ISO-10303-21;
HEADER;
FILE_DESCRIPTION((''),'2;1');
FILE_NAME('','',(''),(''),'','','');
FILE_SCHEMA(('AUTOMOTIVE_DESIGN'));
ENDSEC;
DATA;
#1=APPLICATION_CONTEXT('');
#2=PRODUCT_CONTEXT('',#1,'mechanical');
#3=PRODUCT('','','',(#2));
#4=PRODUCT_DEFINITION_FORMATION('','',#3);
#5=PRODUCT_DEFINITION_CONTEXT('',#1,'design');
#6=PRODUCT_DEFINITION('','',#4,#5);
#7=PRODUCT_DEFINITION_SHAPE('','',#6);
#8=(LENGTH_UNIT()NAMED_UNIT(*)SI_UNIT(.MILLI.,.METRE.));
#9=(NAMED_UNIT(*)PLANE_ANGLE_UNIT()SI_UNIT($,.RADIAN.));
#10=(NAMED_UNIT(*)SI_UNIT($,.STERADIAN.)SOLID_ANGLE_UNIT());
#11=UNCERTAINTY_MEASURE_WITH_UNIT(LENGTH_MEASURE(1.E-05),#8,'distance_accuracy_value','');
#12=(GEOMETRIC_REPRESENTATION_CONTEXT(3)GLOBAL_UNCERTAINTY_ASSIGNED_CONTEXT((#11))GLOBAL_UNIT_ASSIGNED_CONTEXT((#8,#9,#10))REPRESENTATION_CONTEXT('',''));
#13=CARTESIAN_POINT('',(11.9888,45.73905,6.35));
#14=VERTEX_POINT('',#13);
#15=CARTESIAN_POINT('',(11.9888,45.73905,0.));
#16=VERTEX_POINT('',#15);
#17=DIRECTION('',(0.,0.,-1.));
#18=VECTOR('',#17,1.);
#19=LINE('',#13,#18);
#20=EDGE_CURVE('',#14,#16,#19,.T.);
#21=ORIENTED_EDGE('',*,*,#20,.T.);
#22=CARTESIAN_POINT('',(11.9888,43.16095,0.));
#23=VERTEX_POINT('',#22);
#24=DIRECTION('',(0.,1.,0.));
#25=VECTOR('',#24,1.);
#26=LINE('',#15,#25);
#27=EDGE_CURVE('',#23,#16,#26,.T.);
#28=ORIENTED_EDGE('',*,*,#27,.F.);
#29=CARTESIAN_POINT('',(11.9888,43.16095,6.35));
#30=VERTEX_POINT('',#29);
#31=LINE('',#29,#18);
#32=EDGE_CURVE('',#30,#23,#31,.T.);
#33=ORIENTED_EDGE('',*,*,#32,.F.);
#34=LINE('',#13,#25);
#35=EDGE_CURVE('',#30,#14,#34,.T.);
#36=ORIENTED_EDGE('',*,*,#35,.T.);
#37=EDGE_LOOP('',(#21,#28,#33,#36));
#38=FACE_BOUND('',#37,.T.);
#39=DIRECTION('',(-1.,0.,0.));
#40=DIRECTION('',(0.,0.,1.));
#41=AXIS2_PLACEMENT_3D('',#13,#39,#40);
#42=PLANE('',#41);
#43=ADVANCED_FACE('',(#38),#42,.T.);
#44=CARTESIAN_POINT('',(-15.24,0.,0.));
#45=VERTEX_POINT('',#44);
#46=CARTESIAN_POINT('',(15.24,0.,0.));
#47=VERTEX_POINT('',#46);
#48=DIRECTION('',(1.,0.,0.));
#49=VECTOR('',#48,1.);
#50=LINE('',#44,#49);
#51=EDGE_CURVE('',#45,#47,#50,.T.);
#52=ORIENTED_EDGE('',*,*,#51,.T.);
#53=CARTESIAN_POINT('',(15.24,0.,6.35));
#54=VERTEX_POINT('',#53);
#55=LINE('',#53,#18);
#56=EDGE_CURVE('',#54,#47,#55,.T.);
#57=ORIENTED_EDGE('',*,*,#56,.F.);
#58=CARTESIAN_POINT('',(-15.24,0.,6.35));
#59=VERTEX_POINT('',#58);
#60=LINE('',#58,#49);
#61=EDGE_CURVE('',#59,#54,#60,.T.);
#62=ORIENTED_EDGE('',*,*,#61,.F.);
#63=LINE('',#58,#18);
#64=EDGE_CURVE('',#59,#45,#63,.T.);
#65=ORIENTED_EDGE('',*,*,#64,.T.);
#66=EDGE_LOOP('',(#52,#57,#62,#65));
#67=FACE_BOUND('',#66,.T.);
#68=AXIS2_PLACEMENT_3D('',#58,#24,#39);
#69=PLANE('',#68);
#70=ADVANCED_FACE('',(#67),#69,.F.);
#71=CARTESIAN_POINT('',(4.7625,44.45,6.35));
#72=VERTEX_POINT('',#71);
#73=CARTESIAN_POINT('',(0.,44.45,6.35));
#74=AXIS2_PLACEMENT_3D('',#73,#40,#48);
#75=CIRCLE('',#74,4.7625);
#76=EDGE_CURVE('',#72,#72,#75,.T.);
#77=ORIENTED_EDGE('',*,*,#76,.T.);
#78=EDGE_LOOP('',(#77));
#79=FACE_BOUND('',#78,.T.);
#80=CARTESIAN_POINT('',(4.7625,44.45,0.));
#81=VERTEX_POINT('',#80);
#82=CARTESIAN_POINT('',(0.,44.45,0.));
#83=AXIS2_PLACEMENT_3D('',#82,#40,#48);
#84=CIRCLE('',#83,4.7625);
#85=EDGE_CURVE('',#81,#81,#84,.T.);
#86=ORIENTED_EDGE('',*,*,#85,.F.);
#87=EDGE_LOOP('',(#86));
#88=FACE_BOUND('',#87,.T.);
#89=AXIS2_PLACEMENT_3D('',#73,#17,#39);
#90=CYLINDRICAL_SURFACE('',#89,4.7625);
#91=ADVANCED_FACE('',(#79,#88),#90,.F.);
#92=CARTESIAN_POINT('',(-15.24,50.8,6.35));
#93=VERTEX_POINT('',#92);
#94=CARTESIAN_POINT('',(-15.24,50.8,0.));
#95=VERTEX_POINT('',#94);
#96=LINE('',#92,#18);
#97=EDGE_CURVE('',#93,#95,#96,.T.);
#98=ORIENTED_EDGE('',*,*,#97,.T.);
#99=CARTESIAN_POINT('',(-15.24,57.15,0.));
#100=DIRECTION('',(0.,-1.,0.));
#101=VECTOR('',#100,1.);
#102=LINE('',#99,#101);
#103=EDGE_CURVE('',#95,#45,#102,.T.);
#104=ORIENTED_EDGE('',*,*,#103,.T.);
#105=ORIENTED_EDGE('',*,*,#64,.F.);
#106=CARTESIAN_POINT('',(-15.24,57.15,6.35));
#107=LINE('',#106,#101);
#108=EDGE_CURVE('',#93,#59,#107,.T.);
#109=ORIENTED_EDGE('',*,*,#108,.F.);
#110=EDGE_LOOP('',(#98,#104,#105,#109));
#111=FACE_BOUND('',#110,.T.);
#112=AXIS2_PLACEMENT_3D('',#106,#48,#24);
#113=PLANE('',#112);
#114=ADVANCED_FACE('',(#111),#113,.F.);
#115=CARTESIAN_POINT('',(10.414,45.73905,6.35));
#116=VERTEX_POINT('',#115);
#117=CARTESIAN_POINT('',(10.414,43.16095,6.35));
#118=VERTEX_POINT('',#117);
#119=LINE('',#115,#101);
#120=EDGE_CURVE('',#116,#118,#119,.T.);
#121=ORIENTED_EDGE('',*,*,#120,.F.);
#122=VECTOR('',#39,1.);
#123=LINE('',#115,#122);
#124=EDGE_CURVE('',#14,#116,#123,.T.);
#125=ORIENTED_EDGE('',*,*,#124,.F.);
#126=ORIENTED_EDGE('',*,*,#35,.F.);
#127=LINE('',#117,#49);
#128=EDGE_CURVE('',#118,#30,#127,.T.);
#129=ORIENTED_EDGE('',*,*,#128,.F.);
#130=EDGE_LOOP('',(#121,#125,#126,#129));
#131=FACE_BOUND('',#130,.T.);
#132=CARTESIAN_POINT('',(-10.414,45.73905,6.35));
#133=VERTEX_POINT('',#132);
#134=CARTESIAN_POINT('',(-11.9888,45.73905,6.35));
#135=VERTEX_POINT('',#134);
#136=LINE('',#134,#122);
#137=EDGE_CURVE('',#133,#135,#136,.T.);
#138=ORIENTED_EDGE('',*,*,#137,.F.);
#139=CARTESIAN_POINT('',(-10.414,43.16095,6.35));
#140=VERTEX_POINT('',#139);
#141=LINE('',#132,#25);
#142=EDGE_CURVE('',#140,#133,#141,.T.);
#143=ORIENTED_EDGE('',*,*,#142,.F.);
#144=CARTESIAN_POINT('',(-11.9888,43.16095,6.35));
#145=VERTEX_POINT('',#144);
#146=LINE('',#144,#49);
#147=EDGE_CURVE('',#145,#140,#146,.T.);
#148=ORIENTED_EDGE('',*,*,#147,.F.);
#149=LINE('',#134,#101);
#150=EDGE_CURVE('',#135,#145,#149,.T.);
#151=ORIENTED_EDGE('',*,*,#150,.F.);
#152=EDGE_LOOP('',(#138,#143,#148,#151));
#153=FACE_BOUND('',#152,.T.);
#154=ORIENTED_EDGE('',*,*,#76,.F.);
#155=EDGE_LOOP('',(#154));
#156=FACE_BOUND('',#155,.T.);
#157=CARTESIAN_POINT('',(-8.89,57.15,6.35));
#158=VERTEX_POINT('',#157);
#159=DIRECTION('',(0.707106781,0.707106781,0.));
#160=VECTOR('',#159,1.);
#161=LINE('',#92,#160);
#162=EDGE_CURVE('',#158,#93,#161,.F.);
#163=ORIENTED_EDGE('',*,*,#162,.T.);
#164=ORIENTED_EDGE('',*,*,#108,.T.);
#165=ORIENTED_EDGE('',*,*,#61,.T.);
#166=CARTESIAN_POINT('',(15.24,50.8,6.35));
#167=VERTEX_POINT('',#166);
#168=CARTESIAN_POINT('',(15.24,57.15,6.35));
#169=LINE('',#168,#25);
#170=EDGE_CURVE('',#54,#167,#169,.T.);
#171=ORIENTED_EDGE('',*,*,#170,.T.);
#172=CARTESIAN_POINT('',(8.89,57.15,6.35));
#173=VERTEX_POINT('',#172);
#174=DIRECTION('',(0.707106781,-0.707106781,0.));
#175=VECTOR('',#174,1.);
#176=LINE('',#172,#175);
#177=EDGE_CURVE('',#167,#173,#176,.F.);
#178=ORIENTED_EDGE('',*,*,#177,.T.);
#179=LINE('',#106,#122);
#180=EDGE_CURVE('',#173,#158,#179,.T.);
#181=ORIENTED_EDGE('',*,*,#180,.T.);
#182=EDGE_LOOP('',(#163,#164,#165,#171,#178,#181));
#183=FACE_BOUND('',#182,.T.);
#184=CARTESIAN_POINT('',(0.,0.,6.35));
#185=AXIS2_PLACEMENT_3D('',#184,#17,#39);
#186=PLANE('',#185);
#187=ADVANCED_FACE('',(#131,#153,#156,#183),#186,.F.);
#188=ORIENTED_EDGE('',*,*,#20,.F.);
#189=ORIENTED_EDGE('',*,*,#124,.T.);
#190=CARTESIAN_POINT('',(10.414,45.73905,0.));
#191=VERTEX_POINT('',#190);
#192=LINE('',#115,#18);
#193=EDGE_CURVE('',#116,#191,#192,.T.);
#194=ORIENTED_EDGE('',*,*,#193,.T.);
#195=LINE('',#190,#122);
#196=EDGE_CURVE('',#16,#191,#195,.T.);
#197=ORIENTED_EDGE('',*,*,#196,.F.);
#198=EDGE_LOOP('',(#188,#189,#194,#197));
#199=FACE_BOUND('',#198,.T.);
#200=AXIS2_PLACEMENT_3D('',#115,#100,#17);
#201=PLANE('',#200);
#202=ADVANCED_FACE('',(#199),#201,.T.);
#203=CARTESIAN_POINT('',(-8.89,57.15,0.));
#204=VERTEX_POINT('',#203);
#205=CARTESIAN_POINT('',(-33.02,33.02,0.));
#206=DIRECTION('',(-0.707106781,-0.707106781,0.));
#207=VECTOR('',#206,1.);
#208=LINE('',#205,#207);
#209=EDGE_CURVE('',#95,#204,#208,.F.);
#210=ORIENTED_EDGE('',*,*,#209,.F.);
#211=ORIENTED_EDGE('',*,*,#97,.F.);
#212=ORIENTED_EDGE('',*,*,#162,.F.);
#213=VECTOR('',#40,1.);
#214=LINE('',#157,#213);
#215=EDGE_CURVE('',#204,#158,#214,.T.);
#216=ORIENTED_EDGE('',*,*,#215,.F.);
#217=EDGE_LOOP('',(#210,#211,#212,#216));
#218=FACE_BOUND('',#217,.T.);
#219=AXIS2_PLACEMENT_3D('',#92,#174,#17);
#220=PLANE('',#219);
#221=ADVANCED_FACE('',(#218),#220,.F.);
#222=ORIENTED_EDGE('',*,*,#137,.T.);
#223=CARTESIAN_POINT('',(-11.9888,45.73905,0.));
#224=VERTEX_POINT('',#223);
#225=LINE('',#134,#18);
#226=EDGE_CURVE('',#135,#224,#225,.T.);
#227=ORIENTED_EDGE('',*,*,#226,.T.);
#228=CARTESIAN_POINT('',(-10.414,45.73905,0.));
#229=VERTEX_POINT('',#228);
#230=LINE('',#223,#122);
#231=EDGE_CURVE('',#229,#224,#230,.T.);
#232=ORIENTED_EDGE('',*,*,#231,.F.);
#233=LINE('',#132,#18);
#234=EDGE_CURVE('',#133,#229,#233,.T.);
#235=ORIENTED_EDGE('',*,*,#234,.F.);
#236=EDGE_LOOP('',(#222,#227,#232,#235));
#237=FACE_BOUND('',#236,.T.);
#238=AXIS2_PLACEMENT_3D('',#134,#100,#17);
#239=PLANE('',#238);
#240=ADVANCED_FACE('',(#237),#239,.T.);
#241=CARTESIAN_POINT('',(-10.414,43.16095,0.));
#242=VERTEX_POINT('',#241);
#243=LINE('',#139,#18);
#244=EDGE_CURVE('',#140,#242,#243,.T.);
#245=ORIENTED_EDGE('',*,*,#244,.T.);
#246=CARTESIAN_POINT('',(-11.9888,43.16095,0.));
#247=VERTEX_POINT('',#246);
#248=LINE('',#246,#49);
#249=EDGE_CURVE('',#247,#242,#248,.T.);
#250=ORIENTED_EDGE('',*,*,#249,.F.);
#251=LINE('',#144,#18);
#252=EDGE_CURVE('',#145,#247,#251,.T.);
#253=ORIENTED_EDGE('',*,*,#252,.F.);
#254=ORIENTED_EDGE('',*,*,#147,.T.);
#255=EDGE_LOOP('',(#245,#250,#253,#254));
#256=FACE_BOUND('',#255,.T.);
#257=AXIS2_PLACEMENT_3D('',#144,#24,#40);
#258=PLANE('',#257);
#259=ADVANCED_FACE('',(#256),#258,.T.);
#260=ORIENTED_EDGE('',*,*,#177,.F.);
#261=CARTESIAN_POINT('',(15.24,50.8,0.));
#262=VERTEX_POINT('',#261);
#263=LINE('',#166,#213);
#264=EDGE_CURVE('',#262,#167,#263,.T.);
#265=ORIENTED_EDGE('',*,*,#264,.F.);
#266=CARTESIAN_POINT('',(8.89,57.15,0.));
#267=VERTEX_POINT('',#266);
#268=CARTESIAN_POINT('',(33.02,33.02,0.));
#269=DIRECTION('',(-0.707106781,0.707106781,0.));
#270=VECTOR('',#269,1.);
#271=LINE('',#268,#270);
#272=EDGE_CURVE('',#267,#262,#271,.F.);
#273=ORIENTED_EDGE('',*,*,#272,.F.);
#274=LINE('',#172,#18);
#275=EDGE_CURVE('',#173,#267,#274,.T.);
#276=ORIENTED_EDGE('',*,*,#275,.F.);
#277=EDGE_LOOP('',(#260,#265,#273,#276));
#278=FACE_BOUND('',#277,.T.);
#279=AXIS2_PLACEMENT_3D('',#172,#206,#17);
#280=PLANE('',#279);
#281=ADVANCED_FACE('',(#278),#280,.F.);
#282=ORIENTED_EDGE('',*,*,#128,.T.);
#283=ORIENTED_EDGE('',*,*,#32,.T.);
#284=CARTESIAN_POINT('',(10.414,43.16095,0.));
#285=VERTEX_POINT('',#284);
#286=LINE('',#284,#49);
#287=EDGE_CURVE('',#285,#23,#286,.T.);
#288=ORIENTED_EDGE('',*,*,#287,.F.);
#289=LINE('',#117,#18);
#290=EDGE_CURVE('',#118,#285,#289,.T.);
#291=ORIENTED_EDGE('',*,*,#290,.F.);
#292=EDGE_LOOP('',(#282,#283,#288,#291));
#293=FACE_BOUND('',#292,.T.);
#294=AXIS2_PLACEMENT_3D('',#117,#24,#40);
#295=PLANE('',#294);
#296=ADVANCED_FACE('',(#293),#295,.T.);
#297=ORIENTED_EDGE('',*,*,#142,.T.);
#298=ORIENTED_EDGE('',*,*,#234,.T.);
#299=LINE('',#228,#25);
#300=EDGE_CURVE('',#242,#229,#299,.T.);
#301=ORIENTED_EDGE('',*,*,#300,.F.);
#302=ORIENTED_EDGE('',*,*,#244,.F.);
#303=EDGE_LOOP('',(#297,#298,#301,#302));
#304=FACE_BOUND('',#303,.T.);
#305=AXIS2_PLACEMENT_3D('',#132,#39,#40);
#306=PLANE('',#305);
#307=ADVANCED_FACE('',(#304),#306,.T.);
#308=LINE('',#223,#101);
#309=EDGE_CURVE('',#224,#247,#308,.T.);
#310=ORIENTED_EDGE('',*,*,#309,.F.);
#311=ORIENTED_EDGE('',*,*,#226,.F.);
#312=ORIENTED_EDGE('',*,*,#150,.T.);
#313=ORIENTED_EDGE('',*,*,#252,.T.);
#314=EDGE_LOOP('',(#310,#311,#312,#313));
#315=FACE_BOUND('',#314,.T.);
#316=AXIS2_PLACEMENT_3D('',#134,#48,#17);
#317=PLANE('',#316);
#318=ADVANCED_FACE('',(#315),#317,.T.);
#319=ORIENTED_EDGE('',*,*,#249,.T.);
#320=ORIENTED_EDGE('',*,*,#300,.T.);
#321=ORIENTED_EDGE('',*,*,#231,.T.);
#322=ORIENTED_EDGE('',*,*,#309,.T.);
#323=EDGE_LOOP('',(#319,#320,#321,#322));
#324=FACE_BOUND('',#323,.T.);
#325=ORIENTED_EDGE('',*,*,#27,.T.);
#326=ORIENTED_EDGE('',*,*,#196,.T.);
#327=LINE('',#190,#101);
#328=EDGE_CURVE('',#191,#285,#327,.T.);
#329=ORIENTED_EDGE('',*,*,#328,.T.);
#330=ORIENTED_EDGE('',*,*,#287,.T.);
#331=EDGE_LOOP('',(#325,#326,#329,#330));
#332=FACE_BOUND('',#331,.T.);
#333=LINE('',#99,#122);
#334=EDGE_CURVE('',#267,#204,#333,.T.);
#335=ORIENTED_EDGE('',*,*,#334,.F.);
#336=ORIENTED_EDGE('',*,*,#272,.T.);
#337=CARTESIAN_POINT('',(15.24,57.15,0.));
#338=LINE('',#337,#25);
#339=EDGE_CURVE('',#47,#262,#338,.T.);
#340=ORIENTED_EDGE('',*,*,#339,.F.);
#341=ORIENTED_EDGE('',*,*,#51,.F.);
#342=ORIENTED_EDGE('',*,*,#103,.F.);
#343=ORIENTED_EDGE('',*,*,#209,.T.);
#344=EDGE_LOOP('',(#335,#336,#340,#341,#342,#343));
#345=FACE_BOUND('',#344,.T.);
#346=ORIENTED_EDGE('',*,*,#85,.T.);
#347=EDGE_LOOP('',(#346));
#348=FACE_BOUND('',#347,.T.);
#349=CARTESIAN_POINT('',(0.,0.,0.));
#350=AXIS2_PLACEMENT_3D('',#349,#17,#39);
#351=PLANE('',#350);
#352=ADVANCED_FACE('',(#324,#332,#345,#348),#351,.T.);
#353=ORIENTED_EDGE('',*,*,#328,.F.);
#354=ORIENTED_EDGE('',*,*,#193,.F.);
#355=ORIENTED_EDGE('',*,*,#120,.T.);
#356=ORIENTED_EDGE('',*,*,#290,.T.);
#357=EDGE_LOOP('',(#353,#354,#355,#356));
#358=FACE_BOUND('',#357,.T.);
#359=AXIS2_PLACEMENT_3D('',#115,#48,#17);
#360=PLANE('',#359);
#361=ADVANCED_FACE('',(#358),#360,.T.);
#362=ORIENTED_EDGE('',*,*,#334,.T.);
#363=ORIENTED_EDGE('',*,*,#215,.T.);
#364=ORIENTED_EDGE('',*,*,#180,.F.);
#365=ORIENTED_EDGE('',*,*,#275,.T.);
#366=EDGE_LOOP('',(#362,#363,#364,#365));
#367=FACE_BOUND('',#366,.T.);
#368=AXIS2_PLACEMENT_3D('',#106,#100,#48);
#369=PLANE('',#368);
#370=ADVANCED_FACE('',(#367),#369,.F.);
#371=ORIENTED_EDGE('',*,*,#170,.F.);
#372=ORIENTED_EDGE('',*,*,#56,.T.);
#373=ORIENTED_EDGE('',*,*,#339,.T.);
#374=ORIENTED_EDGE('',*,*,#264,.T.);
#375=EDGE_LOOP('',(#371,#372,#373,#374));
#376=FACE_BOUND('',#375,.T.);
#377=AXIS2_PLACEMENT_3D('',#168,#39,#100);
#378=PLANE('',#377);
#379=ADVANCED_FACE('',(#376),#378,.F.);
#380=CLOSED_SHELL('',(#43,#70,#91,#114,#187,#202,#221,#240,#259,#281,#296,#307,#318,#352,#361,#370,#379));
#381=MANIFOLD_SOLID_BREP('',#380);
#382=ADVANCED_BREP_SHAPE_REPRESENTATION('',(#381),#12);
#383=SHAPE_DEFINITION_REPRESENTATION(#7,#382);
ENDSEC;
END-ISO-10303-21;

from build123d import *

# Parameters (mm, degrees)
SKETCH1_W           = 30.48
SKETCH1_H           = 57.15
SKETCH1_R           = 4.7625
SKETCH1_W_2         = 1.5748
SKETCH1_H_2         = 2.5781
BOSS_EXTRUDE1_DEPTH = 6.35
CHAMFER1_SIZE       = 6.35


with BuildPart() as part:
    # Sketch1 → Boss-Extrude1 (new body)
    with BuildSketch(Plane.XY):
        with Locations((0, 28.575)):
            Rectangle(SKETCH1_W, SKETCH1_H)
        with Locations((0, 44.45)):
            Circle(SKETCH1_R, mode=Mode.SUBTRACT)
        with Locations((-11.2014, 44.45)):
            Rectangle(SKETCH1_W_2, SKETCH1_H_2, mode=Mode.SUBTRACT)
        with Locations((11.2014, 44.45)):
            Rectangle(SKETCH1_W_2, SKETCH1_H_2, mode=Mode.SUBTRACT)
    extrude(amount=BOSS_EXTRUDE1_DEPTH)

    # Chamfer1
    chamfer1_edges = [part.edges().sort_by_distance(p)[0] for p in [
        (15.24, 57.15, 3.175),
        (-15.24, 57.15, 3.175),
    ]]
    chamfer(chamfer1_edges, length=CHAMFER1_SIZE)


solid = part.part
